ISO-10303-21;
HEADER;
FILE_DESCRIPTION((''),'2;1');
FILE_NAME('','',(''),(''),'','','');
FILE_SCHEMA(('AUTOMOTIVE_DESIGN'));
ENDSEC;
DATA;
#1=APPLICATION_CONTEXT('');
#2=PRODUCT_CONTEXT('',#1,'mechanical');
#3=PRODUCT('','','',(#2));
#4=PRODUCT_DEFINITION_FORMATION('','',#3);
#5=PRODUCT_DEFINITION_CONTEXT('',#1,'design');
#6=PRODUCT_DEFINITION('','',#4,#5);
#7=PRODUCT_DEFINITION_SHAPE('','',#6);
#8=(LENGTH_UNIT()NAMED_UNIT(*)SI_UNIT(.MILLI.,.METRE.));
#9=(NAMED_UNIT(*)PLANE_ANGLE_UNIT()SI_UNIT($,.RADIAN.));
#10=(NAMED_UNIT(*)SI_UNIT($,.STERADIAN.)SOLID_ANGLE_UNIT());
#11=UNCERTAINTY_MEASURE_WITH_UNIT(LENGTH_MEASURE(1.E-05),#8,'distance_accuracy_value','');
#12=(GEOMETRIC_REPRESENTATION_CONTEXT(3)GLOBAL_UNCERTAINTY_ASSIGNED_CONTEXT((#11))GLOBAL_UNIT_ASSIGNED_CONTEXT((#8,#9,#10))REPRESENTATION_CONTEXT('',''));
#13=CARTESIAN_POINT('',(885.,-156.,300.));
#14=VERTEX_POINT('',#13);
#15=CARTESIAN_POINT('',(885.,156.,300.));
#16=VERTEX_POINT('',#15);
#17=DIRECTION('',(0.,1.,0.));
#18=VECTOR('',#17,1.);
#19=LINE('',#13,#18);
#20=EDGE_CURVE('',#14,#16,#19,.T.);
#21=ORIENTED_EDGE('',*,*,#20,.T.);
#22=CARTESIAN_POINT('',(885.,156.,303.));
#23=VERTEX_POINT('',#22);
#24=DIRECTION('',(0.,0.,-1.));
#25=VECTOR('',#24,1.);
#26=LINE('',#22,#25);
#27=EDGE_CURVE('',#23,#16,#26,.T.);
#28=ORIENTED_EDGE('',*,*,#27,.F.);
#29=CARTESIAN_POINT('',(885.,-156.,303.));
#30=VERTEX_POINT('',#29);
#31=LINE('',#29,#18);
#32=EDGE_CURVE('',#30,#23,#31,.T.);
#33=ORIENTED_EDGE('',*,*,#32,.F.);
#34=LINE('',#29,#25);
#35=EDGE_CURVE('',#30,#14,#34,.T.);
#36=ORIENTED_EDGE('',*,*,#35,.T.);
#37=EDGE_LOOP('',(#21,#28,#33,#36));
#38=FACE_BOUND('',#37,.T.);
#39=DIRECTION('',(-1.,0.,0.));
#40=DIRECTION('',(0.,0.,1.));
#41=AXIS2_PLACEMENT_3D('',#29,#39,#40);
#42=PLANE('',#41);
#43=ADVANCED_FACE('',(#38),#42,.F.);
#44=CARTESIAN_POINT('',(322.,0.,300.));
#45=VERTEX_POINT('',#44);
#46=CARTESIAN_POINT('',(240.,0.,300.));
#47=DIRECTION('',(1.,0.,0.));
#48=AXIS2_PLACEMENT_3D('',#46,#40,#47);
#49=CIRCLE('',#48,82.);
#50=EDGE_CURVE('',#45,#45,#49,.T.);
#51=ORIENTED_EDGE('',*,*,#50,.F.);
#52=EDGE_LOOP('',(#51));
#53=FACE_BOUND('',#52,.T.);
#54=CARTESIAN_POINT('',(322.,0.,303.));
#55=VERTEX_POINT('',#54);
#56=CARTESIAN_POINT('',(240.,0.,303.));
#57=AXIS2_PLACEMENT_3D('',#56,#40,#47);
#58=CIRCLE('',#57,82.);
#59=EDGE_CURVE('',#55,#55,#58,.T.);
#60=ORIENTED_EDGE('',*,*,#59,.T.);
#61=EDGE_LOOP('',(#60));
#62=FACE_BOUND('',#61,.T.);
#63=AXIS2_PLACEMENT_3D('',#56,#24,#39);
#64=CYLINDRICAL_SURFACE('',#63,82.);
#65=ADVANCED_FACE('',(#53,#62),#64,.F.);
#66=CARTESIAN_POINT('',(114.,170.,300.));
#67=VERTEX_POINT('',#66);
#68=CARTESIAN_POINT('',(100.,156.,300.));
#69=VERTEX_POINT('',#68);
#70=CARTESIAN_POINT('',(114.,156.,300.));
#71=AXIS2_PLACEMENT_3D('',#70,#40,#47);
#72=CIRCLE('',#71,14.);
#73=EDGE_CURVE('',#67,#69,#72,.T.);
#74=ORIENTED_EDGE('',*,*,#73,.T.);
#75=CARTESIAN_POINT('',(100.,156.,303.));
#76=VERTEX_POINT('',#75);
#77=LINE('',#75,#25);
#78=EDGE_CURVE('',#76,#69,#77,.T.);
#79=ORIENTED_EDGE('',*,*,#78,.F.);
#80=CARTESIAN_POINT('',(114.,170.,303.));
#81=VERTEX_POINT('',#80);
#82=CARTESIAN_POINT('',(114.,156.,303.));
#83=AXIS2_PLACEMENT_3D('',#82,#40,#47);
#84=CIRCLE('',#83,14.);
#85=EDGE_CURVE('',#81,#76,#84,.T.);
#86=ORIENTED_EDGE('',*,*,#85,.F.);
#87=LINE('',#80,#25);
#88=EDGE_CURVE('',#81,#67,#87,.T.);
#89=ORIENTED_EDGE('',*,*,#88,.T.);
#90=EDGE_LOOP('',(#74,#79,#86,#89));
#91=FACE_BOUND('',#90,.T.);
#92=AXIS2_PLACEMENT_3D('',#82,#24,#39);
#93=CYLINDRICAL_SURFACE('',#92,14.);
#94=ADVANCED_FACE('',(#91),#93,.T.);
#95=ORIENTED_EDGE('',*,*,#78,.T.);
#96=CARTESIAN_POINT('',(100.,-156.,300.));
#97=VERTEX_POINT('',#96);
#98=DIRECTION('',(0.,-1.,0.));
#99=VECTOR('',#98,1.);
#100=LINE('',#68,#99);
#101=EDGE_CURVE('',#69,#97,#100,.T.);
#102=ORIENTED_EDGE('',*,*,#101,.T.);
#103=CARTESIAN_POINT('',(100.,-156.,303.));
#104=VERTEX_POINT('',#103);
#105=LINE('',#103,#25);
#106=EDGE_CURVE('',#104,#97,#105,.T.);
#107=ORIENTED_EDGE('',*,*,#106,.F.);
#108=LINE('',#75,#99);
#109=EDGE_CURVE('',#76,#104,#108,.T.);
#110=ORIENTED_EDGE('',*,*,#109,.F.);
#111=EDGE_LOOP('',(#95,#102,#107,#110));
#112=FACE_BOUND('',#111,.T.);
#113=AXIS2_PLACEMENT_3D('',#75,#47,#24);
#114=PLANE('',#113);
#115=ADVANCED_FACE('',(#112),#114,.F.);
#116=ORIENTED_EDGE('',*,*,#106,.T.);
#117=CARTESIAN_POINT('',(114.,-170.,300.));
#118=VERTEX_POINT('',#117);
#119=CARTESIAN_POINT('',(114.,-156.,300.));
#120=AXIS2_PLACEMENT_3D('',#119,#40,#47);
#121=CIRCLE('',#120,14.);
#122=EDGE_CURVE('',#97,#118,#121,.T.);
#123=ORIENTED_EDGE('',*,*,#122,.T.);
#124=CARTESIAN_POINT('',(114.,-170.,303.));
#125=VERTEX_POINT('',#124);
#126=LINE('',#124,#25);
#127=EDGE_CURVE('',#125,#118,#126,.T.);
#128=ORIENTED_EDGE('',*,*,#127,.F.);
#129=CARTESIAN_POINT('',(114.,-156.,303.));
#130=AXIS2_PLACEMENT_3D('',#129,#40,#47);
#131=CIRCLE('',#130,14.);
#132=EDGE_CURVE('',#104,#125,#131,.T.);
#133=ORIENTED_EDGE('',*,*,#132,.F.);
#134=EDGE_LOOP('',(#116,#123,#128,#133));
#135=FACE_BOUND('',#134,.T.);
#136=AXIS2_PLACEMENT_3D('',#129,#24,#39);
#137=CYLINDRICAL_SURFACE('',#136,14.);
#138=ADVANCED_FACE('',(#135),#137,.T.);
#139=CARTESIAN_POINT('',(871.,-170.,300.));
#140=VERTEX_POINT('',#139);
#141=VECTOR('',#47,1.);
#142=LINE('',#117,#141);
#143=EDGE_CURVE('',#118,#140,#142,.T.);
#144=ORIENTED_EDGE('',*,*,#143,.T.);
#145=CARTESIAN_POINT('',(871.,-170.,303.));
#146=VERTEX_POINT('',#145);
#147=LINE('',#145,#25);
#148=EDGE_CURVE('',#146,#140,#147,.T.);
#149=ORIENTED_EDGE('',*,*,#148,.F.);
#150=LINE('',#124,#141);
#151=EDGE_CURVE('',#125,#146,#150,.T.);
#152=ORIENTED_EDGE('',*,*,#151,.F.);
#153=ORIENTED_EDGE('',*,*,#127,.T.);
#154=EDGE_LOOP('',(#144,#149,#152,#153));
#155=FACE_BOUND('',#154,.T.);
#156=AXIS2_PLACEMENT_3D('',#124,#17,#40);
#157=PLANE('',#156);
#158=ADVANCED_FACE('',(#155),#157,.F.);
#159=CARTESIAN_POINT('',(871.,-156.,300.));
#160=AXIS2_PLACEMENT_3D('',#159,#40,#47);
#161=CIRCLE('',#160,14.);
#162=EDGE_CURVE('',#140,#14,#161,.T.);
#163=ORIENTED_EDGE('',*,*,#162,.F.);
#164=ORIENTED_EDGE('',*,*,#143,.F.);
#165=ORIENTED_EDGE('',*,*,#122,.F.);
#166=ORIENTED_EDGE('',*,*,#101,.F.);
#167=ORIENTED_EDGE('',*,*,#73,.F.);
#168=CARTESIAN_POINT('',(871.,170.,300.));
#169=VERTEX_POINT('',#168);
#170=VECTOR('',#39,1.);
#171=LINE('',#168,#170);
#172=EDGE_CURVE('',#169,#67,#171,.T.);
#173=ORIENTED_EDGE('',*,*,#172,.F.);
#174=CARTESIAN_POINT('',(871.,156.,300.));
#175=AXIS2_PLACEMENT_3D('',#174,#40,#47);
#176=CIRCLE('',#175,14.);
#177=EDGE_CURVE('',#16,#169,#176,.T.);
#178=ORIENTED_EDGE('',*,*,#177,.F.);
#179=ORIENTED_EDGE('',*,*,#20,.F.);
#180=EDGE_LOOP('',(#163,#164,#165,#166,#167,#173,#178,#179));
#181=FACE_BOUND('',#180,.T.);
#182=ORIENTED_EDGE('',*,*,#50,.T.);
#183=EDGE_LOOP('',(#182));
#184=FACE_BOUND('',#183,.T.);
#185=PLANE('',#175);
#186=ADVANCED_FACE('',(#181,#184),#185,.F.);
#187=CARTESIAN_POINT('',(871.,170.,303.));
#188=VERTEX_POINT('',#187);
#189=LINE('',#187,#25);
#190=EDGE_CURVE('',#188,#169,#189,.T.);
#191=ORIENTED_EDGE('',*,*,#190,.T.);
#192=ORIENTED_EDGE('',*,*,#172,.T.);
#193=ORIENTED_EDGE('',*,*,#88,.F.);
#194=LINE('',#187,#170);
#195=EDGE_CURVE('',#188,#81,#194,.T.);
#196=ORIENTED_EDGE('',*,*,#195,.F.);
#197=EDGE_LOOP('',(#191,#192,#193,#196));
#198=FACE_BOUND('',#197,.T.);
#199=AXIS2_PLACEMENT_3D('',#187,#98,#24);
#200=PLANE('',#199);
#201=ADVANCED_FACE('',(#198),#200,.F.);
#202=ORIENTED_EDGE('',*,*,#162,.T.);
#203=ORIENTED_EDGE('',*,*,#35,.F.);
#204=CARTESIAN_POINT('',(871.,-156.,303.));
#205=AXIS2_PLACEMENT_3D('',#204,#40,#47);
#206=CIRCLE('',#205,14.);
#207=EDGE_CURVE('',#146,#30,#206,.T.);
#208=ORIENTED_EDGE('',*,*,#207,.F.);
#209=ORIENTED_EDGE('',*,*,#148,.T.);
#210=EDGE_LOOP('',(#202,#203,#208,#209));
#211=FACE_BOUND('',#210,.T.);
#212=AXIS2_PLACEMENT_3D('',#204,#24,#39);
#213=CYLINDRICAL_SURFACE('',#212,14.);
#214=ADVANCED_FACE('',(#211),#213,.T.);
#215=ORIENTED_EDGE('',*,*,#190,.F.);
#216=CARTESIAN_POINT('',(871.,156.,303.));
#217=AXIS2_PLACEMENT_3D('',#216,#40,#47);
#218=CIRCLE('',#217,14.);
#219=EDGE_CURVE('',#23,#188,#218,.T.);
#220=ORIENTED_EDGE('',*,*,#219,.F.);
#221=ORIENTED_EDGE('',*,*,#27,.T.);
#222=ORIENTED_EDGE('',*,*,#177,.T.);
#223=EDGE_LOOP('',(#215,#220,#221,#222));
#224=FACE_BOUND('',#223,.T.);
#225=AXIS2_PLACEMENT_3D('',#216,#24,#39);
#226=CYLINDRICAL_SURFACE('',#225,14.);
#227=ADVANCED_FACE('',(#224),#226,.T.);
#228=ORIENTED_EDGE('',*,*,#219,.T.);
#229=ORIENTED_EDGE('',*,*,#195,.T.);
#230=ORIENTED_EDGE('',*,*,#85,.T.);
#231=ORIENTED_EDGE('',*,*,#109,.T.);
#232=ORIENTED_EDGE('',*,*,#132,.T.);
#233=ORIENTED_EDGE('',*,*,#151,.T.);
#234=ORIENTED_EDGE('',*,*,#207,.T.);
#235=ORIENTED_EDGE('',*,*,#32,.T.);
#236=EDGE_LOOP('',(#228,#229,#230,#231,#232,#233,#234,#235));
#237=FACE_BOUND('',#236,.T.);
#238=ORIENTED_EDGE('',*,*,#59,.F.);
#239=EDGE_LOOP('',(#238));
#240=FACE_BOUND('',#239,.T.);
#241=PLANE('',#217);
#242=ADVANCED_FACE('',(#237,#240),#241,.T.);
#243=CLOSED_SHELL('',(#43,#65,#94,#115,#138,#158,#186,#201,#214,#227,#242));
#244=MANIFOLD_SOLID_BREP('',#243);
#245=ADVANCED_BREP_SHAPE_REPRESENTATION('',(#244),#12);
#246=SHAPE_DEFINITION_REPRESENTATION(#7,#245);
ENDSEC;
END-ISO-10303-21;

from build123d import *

# Parameters (mm, degrees)
EXTRUDE_START      = 300
EXTRUDE_SKETCH_1_R = 82
EXTRUDE_1_DEPTH    = 3


with BuildPart() as part:
    # Extrude sketch 1 → Extrude 1 (new body)
    with BuildSketch(Plane.XY.offset(EXTRUDE_START)):
        with BuildLine():
            Line((871, 170), (114, 170))
            ThreePointArc((114, 170), (104.100505063, 165.899494937), (100, 156))
            Line((100, 156), (100, -156))
            ThreePointArc((100, -156), (104.100505063, -165.899494937), (114, -170))
            Line((114, -170), (871, -170))
            ThreePointArc((871, -170), (880.899494937, -165.899494937), (885, -156))
            Line((885, -156), (885, 156))
            ThreePointArc((885, 156), (880.899494937, 165.899494937), (871, 170))
        make_face()
        with Locations((240, 0)):
            Circle(EXTRUDE_SKETCH_1_R, mode=Mode.SUBTRACT)
    extrude(amount=EXTRUDE_1_DEPTH)


solid = part.part
